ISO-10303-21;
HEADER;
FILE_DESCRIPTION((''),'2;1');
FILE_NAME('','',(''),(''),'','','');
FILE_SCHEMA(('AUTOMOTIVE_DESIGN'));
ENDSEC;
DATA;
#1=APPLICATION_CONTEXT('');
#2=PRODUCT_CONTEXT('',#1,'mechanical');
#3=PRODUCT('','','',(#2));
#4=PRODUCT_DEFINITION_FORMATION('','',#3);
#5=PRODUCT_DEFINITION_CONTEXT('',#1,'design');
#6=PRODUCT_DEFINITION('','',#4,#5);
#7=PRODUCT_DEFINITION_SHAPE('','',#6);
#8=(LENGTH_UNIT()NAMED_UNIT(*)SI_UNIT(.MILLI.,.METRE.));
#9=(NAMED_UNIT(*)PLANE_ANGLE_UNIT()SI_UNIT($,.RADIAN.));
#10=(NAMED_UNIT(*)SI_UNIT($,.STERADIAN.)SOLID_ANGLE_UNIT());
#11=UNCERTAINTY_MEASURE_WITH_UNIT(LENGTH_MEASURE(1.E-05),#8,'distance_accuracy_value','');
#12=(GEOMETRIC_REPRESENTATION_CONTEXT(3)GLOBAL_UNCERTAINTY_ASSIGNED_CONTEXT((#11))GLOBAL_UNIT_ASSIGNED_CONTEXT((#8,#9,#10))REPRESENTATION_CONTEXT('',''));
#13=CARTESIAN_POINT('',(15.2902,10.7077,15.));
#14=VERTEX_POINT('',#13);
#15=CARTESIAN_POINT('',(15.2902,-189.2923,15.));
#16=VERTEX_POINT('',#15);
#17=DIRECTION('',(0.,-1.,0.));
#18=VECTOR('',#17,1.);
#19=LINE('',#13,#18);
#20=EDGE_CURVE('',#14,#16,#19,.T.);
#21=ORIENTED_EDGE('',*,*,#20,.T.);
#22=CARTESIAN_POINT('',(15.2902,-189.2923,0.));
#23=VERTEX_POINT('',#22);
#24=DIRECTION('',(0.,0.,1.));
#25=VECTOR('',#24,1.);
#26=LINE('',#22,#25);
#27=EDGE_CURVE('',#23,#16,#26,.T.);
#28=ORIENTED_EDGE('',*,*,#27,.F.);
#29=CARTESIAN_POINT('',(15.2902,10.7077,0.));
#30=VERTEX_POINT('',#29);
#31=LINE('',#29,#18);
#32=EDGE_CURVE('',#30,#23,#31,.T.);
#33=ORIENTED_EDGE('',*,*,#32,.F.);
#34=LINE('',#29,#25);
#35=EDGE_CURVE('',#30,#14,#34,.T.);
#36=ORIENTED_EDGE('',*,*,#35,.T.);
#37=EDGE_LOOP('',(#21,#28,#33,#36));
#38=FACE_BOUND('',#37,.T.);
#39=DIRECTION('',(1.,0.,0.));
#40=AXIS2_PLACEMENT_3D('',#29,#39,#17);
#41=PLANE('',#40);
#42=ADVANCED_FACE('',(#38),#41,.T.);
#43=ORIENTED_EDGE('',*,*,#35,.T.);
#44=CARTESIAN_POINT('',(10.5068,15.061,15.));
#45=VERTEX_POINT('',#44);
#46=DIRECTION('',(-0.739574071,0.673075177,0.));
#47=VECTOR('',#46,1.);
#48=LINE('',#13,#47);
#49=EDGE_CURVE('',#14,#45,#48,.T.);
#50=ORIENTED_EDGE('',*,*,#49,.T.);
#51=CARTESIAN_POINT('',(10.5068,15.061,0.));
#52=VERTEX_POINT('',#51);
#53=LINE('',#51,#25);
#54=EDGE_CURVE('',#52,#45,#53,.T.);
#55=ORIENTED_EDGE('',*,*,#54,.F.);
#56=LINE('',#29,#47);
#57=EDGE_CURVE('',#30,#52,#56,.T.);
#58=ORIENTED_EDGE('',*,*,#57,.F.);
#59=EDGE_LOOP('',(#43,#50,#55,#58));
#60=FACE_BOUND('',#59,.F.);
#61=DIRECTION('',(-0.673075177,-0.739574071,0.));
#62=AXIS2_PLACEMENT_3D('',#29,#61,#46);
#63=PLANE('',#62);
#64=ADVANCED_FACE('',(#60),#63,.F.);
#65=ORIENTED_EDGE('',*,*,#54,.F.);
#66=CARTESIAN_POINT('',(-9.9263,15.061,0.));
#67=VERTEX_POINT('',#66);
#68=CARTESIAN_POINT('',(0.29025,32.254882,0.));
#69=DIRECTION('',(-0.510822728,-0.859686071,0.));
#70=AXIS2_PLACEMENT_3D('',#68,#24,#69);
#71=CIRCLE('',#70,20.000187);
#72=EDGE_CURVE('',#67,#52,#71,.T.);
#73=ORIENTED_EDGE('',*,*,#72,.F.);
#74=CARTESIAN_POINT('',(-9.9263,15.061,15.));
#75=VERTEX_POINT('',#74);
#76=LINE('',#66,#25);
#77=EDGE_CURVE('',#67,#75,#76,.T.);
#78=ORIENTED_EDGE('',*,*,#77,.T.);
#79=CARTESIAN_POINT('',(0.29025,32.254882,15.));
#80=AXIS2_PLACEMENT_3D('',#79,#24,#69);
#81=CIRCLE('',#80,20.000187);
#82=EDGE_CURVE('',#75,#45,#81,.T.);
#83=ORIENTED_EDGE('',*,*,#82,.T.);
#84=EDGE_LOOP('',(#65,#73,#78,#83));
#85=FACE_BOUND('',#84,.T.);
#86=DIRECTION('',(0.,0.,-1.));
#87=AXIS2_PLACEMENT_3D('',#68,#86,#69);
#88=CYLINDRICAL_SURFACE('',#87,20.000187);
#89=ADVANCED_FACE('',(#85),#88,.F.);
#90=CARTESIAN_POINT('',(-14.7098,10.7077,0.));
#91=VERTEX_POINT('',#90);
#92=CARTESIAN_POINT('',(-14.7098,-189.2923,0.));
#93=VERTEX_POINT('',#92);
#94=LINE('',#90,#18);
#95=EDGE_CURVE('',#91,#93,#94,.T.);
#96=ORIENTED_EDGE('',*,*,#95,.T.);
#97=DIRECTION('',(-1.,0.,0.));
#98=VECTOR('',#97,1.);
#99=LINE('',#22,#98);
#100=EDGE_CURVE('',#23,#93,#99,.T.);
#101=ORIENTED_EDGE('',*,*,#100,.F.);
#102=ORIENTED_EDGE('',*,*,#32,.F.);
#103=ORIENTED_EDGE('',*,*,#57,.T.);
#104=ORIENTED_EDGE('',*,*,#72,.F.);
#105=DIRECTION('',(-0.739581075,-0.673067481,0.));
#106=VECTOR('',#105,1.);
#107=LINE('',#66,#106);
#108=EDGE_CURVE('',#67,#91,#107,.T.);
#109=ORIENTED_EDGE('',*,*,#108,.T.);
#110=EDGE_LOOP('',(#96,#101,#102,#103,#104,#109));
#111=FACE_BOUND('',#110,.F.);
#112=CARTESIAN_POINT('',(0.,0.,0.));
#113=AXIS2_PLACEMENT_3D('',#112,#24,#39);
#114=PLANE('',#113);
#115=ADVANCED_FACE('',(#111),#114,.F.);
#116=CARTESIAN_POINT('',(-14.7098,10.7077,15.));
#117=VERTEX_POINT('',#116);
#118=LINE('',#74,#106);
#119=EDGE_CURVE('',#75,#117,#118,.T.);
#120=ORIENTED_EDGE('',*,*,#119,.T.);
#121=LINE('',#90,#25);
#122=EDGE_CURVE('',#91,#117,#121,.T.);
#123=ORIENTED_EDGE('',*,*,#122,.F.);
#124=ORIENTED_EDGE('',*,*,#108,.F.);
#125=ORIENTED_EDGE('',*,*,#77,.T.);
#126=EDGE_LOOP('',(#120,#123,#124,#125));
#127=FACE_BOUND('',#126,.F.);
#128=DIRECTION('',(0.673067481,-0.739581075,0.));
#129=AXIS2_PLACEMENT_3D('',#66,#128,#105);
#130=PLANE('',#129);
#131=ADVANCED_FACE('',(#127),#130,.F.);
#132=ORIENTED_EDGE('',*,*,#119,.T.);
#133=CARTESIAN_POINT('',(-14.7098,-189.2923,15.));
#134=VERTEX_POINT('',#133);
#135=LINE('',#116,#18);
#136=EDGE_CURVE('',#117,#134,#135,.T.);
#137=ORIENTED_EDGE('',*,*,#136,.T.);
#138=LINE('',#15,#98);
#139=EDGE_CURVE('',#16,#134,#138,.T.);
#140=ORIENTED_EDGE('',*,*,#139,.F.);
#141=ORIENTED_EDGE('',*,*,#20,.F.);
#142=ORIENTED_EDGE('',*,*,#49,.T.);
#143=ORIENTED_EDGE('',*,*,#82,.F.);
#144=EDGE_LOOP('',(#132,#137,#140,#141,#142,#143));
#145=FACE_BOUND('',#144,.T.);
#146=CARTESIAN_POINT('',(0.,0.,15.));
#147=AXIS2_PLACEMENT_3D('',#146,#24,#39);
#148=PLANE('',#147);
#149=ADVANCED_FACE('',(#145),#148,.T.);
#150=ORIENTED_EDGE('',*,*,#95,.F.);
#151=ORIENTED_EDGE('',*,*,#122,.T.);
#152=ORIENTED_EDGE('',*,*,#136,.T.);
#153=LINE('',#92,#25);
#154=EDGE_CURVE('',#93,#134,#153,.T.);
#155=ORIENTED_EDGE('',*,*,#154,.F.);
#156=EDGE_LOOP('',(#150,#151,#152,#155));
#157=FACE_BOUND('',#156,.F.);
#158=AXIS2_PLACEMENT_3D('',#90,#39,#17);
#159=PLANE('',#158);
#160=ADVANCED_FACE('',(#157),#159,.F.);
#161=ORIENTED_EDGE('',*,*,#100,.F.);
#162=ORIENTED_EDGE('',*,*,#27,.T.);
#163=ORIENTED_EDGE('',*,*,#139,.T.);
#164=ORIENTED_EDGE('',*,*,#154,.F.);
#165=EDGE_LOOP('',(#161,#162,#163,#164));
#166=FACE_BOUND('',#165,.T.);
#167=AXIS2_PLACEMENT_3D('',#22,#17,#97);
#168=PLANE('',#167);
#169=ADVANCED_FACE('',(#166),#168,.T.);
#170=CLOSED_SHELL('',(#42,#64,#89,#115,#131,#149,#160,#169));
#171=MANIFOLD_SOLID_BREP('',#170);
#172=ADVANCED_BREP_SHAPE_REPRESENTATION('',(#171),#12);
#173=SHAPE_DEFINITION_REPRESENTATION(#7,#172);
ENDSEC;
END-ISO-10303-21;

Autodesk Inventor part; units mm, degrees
ref_plane "YZ Plane" through (0, 0, 0) normal (1, 0, 0) x (0, 1, 0)
ref_plane "XZ Plane" through (0, 0, 0) normal (0, 1, 0) x (-1, 0, 0)
ref_plane "XY Plane" through (0, 0, 0) normal (0, 0, 1) x (1, 0, 0)
sketch "Sketch2" plane through (0, 0, 0) normal (0, 0, 1) x (1, 0, 0)
  line L0 (-9.9263, 15.061) -> (-14.7098, 10.7077)
  line L1 (-14.7098, 10.7077) -> (-9.9263, 15.061)
  arc A0 (-9.9263, 15.061) -> (10.5068, 15.061) centre (0.2902, 32.2547) ccw
  arc A1 (-9.9263, 15.061) -> (10.5068, 15.061) centre (0.2902, 32.2547) ccw
  line L2 (15.2902, 10.7077) -> (10.5068, 15.061)
  line L3 (15.2902, 10.7077) -> (10.5068, 15.061)
  line L4 (-9.9263, 15.061) -> (10.5068, 15.061) construction
  line L5 (15.2902, 10.7077) -> (15.2902, -189.2923)
  line L6 (-14.7098, 10.7077) -> (-14.7098, -189.2923)
  line L7 (15.2902, -189.2923) -> (-14.7098, -189.2923)
  point P0 (0.741, 0.8123)
  point P1 (0.741, 0.8123)
  dimension "d3" = 137.695
  dimension "d4" = 95.39
  dimension "d5" = 4.3533
  dimension "d15" = 200
  dimension "d16" = 200
extrude "Extrusion1" add sketch "Sketch2" along normal blind 15
properties part number "Brazo mdf"
